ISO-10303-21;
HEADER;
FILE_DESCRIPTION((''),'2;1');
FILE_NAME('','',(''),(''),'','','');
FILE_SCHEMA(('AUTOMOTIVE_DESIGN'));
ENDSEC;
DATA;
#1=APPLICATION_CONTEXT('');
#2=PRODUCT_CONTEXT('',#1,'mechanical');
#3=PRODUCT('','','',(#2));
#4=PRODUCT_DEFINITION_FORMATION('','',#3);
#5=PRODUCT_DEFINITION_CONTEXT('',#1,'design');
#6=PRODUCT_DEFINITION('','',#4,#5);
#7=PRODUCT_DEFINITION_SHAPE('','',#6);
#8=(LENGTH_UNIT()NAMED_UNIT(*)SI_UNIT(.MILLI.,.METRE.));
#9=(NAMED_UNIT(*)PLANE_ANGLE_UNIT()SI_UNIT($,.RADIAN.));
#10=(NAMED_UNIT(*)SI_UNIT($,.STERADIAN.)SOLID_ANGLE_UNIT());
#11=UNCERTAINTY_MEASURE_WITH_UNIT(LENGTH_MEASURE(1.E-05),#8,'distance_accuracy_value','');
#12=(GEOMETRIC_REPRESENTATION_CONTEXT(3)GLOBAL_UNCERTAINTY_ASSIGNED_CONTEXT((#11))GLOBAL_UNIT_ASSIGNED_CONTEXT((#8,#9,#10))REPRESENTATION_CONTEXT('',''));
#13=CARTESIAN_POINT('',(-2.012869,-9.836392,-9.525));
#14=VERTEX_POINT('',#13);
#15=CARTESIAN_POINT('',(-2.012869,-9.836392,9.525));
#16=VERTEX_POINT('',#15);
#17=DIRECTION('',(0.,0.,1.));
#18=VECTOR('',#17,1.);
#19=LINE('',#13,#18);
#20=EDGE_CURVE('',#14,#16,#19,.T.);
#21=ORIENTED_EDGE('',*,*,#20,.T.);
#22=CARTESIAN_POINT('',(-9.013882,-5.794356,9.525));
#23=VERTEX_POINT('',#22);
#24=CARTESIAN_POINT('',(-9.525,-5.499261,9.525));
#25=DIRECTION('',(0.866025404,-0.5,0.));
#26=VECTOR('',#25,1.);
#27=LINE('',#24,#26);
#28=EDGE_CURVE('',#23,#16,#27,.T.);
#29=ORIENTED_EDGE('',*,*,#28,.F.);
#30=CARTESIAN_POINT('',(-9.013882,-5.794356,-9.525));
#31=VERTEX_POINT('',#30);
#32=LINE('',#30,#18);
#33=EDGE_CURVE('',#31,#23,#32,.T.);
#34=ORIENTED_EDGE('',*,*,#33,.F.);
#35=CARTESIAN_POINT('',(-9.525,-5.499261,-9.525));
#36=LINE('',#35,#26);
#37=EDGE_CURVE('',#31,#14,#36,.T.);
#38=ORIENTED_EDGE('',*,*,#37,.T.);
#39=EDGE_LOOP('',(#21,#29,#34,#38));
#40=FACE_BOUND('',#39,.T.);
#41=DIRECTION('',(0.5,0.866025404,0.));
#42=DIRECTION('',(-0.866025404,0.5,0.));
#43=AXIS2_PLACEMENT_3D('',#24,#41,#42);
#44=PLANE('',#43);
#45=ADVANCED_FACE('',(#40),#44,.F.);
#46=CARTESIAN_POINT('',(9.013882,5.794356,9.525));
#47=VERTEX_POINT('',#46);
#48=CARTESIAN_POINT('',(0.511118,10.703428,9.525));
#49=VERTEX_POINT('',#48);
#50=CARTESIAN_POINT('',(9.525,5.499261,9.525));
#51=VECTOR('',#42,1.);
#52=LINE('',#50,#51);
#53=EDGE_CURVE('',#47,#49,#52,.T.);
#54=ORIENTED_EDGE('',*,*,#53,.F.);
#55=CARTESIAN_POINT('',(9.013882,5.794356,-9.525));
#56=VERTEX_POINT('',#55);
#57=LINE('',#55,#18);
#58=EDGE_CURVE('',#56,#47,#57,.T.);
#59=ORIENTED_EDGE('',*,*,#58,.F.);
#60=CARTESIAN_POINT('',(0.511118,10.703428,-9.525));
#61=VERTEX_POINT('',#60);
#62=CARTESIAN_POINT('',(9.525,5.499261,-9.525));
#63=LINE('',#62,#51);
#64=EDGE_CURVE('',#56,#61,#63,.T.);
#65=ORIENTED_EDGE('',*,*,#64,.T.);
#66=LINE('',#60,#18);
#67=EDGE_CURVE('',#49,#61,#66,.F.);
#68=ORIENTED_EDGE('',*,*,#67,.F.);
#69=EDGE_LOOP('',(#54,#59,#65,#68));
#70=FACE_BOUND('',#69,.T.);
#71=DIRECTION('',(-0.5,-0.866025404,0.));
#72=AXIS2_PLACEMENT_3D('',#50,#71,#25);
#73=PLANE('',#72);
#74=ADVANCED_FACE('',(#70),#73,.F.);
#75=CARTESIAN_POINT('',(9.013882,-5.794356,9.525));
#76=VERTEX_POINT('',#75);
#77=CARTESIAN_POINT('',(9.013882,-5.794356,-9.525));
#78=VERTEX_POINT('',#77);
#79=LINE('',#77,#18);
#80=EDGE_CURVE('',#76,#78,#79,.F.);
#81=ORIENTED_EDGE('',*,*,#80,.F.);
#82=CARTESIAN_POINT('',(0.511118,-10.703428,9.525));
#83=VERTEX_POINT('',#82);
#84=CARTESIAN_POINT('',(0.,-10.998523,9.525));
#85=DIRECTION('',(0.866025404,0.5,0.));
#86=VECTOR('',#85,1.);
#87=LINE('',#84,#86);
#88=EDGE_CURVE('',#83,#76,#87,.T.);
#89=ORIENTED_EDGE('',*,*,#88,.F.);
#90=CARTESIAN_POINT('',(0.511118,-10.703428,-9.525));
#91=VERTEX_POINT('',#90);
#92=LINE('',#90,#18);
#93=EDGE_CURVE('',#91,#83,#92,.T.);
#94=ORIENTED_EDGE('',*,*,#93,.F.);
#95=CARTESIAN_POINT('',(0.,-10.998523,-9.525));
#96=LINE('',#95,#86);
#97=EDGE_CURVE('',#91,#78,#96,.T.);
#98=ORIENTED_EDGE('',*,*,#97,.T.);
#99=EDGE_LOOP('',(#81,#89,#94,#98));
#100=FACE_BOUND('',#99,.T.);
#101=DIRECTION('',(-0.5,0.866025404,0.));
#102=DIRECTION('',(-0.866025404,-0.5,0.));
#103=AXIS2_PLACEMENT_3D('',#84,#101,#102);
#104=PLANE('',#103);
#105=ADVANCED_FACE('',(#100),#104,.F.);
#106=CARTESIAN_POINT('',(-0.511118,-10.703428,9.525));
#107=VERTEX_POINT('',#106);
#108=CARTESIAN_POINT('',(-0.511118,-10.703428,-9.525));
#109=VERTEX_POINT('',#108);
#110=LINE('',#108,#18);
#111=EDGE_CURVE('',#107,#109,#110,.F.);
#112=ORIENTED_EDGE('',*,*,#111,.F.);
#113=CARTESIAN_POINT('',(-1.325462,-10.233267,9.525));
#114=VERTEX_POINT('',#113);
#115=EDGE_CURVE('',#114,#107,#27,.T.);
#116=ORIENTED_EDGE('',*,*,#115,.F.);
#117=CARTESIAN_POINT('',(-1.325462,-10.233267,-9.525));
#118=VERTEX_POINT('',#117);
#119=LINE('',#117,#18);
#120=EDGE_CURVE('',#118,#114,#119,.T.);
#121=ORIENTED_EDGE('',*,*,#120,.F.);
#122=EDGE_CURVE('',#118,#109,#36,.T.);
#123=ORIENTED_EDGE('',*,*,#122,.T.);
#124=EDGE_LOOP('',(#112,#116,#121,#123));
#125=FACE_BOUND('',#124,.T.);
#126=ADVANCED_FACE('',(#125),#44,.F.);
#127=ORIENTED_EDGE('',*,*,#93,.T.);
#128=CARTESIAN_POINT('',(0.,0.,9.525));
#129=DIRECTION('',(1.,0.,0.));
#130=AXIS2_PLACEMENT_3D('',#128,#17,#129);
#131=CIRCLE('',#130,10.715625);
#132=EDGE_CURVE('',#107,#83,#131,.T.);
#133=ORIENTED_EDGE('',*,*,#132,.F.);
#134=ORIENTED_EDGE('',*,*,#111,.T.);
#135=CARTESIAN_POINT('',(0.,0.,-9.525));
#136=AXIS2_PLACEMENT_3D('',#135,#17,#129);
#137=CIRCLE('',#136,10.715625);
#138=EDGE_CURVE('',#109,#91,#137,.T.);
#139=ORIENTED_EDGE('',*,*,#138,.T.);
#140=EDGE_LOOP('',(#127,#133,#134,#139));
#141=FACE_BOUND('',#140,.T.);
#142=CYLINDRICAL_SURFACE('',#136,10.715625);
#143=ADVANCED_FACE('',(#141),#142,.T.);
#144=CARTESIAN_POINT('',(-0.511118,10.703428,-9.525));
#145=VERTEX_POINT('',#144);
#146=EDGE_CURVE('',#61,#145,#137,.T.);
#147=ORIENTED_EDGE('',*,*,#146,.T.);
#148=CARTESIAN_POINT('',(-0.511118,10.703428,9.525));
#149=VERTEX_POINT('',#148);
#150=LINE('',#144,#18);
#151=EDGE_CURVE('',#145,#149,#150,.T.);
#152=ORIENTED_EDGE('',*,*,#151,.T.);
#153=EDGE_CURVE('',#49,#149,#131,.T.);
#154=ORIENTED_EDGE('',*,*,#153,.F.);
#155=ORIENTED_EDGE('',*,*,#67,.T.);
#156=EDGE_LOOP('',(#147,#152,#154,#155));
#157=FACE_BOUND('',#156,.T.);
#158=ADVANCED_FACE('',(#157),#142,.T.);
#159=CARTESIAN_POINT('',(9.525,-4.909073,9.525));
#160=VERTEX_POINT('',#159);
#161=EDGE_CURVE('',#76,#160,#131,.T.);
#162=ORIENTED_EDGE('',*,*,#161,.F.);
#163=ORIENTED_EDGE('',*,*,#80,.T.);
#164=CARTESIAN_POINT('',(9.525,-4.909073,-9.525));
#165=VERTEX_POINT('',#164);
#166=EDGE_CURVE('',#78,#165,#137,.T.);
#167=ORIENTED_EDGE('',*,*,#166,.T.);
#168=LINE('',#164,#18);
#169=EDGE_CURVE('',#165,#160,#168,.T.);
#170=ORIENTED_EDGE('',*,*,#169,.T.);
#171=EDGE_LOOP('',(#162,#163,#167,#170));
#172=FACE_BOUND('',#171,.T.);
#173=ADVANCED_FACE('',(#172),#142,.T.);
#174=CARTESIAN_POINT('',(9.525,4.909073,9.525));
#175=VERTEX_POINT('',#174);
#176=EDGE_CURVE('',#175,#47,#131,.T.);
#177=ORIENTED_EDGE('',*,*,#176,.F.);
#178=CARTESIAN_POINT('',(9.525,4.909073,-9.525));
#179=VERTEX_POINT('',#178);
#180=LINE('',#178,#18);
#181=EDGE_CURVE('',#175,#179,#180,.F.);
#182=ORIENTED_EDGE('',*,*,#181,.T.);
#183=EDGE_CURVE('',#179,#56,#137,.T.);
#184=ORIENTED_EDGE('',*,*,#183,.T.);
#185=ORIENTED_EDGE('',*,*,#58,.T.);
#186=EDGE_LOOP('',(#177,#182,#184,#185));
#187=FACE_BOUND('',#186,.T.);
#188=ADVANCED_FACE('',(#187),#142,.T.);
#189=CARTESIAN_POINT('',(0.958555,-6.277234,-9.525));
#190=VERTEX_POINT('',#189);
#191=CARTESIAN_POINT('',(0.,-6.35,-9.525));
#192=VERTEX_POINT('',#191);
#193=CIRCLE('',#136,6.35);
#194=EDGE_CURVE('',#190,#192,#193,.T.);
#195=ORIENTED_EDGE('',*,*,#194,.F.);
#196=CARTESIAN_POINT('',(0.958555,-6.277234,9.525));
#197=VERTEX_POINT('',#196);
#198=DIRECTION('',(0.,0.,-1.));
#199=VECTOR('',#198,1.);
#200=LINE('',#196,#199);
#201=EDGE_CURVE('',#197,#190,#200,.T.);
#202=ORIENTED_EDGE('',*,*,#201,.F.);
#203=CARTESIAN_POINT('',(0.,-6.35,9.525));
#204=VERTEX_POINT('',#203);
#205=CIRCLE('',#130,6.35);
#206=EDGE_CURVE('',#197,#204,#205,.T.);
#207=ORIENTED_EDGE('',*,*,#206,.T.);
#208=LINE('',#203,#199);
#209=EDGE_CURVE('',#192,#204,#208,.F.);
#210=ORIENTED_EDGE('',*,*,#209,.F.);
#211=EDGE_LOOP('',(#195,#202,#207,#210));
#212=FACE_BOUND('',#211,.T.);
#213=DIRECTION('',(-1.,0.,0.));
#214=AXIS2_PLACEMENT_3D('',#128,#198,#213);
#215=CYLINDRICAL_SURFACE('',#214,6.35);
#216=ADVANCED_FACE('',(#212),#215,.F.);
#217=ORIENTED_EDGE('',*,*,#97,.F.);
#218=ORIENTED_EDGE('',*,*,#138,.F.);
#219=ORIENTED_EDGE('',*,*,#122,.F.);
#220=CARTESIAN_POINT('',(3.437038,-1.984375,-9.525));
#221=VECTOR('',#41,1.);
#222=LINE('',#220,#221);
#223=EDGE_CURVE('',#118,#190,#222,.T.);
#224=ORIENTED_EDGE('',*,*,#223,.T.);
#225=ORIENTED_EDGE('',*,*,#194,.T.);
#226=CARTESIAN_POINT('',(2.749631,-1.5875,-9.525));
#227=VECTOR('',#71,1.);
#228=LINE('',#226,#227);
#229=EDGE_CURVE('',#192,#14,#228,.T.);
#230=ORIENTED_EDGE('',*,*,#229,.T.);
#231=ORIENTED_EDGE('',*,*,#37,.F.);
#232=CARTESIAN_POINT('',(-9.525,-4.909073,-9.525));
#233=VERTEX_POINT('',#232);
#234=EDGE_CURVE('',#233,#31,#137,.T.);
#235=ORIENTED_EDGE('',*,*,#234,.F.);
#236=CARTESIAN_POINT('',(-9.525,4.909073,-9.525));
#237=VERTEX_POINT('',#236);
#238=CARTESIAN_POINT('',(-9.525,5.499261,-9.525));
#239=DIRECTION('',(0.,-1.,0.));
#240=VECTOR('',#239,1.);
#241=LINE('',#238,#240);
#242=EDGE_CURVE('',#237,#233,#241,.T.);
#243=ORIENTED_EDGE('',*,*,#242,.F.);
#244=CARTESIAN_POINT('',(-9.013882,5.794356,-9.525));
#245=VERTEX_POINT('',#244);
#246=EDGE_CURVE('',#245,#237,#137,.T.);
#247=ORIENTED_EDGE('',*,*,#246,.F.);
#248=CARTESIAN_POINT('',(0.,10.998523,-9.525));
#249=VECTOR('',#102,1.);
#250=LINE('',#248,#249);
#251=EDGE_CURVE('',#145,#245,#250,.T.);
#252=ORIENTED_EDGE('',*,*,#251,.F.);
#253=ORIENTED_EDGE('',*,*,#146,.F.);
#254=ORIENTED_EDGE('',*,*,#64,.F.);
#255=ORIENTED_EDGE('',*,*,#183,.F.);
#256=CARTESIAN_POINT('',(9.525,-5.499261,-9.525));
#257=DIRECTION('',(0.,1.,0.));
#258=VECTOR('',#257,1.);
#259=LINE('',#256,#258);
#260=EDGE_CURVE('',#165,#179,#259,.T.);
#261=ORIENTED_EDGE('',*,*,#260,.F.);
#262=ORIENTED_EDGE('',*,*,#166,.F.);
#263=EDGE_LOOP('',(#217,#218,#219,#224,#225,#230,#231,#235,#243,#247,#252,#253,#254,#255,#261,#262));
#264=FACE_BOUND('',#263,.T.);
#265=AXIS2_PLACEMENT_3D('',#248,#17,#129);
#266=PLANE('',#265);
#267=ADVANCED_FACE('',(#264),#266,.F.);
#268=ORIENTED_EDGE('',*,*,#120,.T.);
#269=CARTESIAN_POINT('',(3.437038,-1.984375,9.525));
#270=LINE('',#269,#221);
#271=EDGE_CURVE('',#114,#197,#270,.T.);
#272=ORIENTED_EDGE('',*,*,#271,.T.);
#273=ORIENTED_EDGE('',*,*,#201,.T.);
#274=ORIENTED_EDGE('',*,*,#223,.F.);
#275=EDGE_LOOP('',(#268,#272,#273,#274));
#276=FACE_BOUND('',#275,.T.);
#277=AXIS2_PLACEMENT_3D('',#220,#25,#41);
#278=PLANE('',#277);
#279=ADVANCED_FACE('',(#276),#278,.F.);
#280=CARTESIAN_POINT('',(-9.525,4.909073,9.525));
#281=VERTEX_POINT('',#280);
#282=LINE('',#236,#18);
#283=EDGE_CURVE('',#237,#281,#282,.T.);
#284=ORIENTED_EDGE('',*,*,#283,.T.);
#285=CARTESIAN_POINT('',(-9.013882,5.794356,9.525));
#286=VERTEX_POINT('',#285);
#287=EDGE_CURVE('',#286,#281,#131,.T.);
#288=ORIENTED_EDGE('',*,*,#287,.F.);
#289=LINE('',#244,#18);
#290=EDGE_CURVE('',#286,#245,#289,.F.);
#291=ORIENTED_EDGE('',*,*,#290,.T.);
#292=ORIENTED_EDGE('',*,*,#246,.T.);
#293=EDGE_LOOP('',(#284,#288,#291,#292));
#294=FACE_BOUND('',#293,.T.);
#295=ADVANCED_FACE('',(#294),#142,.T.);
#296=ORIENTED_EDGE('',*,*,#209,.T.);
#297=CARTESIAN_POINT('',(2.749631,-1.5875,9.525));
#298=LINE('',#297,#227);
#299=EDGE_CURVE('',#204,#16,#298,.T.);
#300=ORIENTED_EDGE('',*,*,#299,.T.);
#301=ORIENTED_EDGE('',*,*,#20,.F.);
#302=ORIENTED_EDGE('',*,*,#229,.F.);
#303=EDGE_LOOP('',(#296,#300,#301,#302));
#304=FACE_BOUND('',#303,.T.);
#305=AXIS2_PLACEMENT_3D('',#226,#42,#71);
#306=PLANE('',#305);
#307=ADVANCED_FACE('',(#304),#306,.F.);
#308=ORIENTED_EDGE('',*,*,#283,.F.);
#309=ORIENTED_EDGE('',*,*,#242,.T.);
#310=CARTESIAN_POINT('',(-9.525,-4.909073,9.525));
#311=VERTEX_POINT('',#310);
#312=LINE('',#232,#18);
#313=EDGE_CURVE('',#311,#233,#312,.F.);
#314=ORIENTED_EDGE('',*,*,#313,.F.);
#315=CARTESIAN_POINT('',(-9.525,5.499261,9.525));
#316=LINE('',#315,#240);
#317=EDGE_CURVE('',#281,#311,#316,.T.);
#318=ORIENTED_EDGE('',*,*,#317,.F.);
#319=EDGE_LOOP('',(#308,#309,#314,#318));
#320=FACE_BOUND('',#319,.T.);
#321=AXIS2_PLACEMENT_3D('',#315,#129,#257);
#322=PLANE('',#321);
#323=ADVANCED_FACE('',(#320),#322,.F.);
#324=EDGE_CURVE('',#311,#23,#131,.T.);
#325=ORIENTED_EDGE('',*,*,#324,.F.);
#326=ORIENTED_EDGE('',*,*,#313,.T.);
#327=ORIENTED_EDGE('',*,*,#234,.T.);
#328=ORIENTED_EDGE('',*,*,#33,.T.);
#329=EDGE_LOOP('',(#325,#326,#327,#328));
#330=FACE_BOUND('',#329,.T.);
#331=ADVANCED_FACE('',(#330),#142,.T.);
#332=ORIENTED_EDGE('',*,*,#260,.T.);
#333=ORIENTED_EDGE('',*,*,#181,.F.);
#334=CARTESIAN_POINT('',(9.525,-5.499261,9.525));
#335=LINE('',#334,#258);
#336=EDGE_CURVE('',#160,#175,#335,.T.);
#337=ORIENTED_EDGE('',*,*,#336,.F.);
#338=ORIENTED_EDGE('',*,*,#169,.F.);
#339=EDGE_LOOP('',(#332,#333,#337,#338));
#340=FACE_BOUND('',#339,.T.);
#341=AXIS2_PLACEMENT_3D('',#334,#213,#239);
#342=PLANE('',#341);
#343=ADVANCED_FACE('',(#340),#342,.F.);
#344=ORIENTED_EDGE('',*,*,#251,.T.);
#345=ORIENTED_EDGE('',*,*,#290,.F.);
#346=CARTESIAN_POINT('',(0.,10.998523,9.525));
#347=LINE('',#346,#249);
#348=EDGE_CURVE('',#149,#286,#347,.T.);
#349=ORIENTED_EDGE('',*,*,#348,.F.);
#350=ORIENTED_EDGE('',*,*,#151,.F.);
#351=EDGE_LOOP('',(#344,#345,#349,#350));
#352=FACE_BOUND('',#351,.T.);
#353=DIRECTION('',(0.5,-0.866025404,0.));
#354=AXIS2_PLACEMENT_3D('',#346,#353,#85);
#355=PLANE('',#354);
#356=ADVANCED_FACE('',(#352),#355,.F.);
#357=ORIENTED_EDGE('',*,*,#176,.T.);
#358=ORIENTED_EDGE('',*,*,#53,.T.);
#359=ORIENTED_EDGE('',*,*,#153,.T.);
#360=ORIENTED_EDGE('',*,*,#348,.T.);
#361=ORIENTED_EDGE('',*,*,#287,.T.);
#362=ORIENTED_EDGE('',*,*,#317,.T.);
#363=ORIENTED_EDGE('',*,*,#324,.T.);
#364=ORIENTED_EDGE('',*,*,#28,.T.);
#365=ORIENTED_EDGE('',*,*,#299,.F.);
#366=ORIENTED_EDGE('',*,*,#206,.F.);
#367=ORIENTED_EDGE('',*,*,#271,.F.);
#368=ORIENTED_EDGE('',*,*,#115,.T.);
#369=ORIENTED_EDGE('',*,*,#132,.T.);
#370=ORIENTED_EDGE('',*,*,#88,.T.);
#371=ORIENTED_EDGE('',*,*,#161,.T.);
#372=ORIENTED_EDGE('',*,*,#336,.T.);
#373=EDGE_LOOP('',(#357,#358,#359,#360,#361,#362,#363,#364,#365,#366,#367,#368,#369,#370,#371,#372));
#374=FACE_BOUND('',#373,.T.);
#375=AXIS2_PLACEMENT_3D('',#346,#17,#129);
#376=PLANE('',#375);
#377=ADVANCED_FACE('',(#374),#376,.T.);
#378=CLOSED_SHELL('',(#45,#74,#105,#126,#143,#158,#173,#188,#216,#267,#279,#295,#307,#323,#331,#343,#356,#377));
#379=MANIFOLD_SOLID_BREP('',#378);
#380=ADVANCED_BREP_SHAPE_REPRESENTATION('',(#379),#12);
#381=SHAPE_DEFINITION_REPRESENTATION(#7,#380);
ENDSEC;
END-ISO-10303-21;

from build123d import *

# Parameters (mm, degrees)
SKETCH1_R         = 6.35
EXTRUDE1_DEPTH    = 9.525
SKETCH2_OUTSIDE_W = 28.006
SKETCH2_OUTSIDE_H = 30.954
SKETCH2_OUTSIDE_R = 10.715625
EXTRUDE2_DEPTH    = 24.970724332
EXTRUDE3_DEPTH    = 24.842247045


with BuildPart() as part:
    # Sketch1 → Extrude1 (new, symmetric)
    with BuildSketch(Plane.XY):
        Polygon((0, 10.998522628), (-9.525, 5.499261314), (-9.525, -5.499261314), (0, -10.998522628), (9.525, -5.499261314), (9.525, 5.499261314), align=None)
        with Locations(Location((0, 0, 0), (0, 0, 180))):
            Circle(SKETCH1_R, mode=Mode.SUBTRACT)
    extrude(amount=EXTRUDE1_DEPTH, both=True)

    # Sketch2 outside → Extrude2 (cut, through all)
    with BuildSketch(Plane.XY.offset(9.525)):
        Rectangle(SKETCH2_OUTSIDE_W, SKETCH2_OUTSIDE_H)
        Circle(SKETCH2_OUTSIDE_R, mode=Mode.SUBTRACT)
    extrude(amount=-EXTRUDE2_DEPTH, mode=Mode.SUBTRACT)

    # Sketch3 → Extrude3 (cut, through all)
    with BuildSketch(Plane.XY.offset(9.525)):
        Polygon((3.437038321, -1.984375), (-1.325461679, -10.233266971), (-2.012869343, -9.836391971), (2.749630657, -1.5875), align=None)
    extrude(amount=-EXTRUDE3_DEPTH, mode=Mode.SUBTRACT)


solid = part.part
